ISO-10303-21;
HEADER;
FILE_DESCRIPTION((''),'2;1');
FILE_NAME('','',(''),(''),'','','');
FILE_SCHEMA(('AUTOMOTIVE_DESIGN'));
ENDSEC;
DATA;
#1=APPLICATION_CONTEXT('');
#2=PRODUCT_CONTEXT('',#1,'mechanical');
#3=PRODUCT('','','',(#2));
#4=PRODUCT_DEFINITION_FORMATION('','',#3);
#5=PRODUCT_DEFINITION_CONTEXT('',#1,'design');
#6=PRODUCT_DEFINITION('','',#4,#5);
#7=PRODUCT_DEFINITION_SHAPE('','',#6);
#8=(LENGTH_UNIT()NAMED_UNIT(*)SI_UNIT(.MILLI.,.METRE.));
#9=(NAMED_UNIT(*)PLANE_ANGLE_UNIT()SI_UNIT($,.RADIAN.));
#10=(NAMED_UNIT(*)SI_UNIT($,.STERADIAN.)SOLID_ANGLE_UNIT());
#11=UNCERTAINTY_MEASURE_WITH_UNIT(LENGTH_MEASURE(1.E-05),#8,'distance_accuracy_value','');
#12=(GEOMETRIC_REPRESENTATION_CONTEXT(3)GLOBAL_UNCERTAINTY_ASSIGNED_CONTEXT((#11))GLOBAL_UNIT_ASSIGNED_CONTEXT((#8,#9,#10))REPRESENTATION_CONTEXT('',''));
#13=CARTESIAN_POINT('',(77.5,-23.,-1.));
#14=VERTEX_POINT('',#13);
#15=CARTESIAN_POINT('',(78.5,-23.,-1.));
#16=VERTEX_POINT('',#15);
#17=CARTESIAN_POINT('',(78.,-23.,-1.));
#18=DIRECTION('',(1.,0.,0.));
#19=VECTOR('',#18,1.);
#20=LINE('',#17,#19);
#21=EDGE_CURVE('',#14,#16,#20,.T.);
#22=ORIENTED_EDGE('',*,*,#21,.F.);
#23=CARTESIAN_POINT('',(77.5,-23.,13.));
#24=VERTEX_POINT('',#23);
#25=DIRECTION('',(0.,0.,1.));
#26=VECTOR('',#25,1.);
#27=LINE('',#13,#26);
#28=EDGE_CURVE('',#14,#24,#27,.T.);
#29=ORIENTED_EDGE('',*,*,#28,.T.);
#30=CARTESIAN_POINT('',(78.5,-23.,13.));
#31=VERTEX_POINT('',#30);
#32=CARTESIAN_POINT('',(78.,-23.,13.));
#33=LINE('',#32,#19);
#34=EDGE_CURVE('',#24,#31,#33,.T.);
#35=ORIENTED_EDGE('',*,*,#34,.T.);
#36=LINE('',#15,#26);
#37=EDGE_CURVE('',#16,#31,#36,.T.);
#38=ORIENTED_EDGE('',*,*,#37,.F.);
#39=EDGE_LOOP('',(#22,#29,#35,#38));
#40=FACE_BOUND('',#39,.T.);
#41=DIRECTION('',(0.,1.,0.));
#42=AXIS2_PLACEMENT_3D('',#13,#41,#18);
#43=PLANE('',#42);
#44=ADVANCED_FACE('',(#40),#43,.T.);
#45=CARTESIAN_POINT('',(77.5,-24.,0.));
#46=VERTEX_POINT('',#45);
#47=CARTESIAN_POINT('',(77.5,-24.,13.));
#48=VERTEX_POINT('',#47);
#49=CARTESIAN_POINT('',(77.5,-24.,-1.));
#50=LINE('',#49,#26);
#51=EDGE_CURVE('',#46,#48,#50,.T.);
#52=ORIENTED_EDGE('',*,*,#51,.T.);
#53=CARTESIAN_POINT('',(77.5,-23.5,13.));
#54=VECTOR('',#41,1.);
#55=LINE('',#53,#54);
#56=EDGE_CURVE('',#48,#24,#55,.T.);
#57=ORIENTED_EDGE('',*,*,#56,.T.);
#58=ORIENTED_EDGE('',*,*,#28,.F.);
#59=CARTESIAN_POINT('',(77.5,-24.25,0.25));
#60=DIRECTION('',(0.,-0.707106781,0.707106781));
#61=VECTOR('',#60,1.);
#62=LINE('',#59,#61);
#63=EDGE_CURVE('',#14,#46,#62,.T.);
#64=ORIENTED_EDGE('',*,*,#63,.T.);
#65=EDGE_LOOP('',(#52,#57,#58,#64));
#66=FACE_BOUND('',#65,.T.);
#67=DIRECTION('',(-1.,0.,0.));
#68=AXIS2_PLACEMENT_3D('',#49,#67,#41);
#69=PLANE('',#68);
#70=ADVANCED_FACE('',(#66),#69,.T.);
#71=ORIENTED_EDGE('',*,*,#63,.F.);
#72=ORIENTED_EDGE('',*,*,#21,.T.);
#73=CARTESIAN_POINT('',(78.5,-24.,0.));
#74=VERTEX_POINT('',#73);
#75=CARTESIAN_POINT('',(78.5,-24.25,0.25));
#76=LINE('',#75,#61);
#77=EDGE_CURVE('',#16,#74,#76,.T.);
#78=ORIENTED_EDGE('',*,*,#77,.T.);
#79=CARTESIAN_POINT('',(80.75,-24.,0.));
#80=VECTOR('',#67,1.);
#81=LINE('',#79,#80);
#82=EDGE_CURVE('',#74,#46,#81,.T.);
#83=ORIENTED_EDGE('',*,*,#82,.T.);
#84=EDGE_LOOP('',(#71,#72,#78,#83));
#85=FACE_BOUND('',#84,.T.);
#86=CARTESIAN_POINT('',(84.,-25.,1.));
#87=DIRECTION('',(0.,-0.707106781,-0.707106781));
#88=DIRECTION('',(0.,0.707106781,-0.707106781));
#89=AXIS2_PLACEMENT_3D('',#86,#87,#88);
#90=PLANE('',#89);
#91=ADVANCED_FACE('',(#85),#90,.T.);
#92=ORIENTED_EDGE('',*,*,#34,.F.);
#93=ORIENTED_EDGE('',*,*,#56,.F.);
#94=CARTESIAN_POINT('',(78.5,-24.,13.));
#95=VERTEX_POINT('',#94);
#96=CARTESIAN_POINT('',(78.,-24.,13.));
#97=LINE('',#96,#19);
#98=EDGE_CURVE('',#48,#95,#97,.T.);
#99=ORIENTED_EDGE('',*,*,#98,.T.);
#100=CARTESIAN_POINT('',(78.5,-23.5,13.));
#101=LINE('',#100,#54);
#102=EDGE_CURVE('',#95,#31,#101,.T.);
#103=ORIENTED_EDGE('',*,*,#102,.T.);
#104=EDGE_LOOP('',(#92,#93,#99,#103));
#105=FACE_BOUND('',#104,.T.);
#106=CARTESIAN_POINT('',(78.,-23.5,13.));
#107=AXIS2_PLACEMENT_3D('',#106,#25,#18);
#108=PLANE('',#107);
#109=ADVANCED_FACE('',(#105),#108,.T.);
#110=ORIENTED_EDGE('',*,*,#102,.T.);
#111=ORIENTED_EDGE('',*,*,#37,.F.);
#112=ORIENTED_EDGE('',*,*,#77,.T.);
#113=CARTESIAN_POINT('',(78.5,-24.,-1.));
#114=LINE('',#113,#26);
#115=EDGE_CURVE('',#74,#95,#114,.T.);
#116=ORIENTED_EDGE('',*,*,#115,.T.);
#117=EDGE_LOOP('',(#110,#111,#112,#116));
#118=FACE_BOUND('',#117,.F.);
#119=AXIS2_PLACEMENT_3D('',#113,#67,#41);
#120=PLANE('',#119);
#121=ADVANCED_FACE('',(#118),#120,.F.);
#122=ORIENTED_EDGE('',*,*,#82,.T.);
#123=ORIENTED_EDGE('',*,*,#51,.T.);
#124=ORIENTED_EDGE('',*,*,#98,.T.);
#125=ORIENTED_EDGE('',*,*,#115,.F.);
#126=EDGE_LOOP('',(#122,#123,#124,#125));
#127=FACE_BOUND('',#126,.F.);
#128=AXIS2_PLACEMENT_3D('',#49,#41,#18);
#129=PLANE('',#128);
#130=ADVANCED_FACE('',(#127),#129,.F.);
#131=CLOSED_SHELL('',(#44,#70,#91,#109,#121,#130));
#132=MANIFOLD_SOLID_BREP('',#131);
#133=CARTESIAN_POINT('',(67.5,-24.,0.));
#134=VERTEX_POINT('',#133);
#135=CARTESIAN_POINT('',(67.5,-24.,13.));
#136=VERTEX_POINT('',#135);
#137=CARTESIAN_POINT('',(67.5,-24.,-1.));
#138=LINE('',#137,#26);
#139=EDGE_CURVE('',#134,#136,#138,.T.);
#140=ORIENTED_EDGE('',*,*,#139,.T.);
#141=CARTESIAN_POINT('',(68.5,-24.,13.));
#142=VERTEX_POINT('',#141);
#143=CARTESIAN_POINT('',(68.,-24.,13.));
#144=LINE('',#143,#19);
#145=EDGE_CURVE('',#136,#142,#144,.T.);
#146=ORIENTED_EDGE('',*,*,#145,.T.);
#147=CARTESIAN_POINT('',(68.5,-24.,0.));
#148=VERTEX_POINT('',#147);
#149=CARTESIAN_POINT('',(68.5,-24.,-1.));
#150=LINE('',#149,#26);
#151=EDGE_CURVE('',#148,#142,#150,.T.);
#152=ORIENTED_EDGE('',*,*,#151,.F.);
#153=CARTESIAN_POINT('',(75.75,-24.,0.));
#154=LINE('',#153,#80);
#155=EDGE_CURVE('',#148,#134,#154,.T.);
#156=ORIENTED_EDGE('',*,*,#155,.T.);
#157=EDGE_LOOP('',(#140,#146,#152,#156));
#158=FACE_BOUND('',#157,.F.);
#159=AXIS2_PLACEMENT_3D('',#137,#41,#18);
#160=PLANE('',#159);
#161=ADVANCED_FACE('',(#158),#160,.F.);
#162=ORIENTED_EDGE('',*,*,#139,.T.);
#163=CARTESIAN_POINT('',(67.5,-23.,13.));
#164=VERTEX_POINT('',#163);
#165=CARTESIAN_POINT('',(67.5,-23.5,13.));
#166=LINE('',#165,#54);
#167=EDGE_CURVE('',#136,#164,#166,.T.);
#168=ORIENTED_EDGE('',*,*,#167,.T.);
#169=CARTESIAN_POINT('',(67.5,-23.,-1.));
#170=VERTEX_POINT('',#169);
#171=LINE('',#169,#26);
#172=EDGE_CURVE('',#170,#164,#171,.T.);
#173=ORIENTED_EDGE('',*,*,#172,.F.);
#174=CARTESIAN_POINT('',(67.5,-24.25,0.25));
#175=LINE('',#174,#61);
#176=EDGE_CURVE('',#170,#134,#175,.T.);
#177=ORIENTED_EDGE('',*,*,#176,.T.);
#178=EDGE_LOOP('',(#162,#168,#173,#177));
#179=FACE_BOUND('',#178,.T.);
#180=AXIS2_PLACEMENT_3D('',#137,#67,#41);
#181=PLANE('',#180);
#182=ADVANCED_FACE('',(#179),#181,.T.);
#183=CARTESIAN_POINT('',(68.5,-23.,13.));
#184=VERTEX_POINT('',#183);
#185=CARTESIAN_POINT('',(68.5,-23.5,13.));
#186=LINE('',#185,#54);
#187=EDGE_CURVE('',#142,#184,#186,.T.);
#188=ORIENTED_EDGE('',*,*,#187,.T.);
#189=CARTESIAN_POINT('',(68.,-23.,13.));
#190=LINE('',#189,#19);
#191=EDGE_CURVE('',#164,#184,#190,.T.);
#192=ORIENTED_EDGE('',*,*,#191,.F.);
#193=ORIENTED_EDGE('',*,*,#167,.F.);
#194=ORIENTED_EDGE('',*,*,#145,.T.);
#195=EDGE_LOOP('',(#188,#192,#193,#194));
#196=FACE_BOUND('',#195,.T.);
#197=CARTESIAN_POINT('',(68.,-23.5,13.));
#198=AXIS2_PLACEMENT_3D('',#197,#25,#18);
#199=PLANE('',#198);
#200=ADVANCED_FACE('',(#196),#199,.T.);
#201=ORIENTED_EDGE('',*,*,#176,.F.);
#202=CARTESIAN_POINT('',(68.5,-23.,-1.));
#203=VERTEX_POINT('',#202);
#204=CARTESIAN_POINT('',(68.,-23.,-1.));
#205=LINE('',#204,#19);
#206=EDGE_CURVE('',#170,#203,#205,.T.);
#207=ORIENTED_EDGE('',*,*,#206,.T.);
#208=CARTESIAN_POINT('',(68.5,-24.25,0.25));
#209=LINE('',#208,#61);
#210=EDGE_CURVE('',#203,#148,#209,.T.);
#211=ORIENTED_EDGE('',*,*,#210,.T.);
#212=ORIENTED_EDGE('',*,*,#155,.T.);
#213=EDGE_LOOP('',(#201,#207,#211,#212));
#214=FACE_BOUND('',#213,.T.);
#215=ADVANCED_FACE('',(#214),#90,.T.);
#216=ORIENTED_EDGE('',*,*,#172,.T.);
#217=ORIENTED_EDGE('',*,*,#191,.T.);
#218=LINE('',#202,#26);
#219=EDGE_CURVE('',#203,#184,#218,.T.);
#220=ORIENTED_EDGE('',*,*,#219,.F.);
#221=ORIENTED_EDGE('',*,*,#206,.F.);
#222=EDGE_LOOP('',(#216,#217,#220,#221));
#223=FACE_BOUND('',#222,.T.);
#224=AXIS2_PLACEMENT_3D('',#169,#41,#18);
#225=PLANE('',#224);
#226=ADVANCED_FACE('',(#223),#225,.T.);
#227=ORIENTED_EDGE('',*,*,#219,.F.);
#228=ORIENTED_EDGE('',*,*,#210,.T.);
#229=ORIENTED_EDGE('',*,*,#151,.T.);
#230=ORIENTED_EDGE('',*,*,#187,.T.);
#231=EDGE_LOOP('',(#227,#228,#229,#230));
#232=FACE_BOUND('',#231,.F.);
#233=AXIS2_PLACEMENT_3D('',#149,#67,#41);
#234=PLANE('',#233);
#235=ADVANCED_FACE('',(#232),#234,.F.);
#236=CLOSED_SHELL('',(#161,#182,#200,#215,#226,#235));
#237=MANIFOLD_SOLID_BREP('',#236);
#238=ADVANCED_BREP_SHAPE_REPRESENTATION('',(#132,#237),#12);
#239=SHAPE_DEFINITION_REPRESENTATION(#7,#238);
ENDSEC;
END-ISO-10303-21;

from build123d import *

# Parameters (mm, degrees)
EXTRUDE023_DEPTH = 20
SKETCH019_W      = 1
SKETCH019_H      = 1
EXTRUDE019_DEPTH = 14


with BuildPart() as extrude023:
    # Sketch027 → Extrude023 (new body)
    with BuildSketch(Plane.YZ.offset(84)):
        Polygon((-25, 1), (-22, -2), (-25, -2), align=None)
    extrude(amount=-EXTRUDE023_DEPTH)


with BuildPart() as cut004:
    # Sketch019 → Extrude019 (new body)
    with BuildSketch(Plane.XY.offset(-1)):
        with Locations((68, -23.5)):
            Rectangle(SKETCH019_W, SKETCH019_H)
        with Locations((78, -23.5)):
            Rectangle(SKETCH019_W, SKETCH019_H)
    extrude(amount=EXTRUDE019_DEPTH)

    # Cut004: cut Extrude023
    add(extrude023.part, mode=Mode.SUBTRACT)


solid = cut004.part
